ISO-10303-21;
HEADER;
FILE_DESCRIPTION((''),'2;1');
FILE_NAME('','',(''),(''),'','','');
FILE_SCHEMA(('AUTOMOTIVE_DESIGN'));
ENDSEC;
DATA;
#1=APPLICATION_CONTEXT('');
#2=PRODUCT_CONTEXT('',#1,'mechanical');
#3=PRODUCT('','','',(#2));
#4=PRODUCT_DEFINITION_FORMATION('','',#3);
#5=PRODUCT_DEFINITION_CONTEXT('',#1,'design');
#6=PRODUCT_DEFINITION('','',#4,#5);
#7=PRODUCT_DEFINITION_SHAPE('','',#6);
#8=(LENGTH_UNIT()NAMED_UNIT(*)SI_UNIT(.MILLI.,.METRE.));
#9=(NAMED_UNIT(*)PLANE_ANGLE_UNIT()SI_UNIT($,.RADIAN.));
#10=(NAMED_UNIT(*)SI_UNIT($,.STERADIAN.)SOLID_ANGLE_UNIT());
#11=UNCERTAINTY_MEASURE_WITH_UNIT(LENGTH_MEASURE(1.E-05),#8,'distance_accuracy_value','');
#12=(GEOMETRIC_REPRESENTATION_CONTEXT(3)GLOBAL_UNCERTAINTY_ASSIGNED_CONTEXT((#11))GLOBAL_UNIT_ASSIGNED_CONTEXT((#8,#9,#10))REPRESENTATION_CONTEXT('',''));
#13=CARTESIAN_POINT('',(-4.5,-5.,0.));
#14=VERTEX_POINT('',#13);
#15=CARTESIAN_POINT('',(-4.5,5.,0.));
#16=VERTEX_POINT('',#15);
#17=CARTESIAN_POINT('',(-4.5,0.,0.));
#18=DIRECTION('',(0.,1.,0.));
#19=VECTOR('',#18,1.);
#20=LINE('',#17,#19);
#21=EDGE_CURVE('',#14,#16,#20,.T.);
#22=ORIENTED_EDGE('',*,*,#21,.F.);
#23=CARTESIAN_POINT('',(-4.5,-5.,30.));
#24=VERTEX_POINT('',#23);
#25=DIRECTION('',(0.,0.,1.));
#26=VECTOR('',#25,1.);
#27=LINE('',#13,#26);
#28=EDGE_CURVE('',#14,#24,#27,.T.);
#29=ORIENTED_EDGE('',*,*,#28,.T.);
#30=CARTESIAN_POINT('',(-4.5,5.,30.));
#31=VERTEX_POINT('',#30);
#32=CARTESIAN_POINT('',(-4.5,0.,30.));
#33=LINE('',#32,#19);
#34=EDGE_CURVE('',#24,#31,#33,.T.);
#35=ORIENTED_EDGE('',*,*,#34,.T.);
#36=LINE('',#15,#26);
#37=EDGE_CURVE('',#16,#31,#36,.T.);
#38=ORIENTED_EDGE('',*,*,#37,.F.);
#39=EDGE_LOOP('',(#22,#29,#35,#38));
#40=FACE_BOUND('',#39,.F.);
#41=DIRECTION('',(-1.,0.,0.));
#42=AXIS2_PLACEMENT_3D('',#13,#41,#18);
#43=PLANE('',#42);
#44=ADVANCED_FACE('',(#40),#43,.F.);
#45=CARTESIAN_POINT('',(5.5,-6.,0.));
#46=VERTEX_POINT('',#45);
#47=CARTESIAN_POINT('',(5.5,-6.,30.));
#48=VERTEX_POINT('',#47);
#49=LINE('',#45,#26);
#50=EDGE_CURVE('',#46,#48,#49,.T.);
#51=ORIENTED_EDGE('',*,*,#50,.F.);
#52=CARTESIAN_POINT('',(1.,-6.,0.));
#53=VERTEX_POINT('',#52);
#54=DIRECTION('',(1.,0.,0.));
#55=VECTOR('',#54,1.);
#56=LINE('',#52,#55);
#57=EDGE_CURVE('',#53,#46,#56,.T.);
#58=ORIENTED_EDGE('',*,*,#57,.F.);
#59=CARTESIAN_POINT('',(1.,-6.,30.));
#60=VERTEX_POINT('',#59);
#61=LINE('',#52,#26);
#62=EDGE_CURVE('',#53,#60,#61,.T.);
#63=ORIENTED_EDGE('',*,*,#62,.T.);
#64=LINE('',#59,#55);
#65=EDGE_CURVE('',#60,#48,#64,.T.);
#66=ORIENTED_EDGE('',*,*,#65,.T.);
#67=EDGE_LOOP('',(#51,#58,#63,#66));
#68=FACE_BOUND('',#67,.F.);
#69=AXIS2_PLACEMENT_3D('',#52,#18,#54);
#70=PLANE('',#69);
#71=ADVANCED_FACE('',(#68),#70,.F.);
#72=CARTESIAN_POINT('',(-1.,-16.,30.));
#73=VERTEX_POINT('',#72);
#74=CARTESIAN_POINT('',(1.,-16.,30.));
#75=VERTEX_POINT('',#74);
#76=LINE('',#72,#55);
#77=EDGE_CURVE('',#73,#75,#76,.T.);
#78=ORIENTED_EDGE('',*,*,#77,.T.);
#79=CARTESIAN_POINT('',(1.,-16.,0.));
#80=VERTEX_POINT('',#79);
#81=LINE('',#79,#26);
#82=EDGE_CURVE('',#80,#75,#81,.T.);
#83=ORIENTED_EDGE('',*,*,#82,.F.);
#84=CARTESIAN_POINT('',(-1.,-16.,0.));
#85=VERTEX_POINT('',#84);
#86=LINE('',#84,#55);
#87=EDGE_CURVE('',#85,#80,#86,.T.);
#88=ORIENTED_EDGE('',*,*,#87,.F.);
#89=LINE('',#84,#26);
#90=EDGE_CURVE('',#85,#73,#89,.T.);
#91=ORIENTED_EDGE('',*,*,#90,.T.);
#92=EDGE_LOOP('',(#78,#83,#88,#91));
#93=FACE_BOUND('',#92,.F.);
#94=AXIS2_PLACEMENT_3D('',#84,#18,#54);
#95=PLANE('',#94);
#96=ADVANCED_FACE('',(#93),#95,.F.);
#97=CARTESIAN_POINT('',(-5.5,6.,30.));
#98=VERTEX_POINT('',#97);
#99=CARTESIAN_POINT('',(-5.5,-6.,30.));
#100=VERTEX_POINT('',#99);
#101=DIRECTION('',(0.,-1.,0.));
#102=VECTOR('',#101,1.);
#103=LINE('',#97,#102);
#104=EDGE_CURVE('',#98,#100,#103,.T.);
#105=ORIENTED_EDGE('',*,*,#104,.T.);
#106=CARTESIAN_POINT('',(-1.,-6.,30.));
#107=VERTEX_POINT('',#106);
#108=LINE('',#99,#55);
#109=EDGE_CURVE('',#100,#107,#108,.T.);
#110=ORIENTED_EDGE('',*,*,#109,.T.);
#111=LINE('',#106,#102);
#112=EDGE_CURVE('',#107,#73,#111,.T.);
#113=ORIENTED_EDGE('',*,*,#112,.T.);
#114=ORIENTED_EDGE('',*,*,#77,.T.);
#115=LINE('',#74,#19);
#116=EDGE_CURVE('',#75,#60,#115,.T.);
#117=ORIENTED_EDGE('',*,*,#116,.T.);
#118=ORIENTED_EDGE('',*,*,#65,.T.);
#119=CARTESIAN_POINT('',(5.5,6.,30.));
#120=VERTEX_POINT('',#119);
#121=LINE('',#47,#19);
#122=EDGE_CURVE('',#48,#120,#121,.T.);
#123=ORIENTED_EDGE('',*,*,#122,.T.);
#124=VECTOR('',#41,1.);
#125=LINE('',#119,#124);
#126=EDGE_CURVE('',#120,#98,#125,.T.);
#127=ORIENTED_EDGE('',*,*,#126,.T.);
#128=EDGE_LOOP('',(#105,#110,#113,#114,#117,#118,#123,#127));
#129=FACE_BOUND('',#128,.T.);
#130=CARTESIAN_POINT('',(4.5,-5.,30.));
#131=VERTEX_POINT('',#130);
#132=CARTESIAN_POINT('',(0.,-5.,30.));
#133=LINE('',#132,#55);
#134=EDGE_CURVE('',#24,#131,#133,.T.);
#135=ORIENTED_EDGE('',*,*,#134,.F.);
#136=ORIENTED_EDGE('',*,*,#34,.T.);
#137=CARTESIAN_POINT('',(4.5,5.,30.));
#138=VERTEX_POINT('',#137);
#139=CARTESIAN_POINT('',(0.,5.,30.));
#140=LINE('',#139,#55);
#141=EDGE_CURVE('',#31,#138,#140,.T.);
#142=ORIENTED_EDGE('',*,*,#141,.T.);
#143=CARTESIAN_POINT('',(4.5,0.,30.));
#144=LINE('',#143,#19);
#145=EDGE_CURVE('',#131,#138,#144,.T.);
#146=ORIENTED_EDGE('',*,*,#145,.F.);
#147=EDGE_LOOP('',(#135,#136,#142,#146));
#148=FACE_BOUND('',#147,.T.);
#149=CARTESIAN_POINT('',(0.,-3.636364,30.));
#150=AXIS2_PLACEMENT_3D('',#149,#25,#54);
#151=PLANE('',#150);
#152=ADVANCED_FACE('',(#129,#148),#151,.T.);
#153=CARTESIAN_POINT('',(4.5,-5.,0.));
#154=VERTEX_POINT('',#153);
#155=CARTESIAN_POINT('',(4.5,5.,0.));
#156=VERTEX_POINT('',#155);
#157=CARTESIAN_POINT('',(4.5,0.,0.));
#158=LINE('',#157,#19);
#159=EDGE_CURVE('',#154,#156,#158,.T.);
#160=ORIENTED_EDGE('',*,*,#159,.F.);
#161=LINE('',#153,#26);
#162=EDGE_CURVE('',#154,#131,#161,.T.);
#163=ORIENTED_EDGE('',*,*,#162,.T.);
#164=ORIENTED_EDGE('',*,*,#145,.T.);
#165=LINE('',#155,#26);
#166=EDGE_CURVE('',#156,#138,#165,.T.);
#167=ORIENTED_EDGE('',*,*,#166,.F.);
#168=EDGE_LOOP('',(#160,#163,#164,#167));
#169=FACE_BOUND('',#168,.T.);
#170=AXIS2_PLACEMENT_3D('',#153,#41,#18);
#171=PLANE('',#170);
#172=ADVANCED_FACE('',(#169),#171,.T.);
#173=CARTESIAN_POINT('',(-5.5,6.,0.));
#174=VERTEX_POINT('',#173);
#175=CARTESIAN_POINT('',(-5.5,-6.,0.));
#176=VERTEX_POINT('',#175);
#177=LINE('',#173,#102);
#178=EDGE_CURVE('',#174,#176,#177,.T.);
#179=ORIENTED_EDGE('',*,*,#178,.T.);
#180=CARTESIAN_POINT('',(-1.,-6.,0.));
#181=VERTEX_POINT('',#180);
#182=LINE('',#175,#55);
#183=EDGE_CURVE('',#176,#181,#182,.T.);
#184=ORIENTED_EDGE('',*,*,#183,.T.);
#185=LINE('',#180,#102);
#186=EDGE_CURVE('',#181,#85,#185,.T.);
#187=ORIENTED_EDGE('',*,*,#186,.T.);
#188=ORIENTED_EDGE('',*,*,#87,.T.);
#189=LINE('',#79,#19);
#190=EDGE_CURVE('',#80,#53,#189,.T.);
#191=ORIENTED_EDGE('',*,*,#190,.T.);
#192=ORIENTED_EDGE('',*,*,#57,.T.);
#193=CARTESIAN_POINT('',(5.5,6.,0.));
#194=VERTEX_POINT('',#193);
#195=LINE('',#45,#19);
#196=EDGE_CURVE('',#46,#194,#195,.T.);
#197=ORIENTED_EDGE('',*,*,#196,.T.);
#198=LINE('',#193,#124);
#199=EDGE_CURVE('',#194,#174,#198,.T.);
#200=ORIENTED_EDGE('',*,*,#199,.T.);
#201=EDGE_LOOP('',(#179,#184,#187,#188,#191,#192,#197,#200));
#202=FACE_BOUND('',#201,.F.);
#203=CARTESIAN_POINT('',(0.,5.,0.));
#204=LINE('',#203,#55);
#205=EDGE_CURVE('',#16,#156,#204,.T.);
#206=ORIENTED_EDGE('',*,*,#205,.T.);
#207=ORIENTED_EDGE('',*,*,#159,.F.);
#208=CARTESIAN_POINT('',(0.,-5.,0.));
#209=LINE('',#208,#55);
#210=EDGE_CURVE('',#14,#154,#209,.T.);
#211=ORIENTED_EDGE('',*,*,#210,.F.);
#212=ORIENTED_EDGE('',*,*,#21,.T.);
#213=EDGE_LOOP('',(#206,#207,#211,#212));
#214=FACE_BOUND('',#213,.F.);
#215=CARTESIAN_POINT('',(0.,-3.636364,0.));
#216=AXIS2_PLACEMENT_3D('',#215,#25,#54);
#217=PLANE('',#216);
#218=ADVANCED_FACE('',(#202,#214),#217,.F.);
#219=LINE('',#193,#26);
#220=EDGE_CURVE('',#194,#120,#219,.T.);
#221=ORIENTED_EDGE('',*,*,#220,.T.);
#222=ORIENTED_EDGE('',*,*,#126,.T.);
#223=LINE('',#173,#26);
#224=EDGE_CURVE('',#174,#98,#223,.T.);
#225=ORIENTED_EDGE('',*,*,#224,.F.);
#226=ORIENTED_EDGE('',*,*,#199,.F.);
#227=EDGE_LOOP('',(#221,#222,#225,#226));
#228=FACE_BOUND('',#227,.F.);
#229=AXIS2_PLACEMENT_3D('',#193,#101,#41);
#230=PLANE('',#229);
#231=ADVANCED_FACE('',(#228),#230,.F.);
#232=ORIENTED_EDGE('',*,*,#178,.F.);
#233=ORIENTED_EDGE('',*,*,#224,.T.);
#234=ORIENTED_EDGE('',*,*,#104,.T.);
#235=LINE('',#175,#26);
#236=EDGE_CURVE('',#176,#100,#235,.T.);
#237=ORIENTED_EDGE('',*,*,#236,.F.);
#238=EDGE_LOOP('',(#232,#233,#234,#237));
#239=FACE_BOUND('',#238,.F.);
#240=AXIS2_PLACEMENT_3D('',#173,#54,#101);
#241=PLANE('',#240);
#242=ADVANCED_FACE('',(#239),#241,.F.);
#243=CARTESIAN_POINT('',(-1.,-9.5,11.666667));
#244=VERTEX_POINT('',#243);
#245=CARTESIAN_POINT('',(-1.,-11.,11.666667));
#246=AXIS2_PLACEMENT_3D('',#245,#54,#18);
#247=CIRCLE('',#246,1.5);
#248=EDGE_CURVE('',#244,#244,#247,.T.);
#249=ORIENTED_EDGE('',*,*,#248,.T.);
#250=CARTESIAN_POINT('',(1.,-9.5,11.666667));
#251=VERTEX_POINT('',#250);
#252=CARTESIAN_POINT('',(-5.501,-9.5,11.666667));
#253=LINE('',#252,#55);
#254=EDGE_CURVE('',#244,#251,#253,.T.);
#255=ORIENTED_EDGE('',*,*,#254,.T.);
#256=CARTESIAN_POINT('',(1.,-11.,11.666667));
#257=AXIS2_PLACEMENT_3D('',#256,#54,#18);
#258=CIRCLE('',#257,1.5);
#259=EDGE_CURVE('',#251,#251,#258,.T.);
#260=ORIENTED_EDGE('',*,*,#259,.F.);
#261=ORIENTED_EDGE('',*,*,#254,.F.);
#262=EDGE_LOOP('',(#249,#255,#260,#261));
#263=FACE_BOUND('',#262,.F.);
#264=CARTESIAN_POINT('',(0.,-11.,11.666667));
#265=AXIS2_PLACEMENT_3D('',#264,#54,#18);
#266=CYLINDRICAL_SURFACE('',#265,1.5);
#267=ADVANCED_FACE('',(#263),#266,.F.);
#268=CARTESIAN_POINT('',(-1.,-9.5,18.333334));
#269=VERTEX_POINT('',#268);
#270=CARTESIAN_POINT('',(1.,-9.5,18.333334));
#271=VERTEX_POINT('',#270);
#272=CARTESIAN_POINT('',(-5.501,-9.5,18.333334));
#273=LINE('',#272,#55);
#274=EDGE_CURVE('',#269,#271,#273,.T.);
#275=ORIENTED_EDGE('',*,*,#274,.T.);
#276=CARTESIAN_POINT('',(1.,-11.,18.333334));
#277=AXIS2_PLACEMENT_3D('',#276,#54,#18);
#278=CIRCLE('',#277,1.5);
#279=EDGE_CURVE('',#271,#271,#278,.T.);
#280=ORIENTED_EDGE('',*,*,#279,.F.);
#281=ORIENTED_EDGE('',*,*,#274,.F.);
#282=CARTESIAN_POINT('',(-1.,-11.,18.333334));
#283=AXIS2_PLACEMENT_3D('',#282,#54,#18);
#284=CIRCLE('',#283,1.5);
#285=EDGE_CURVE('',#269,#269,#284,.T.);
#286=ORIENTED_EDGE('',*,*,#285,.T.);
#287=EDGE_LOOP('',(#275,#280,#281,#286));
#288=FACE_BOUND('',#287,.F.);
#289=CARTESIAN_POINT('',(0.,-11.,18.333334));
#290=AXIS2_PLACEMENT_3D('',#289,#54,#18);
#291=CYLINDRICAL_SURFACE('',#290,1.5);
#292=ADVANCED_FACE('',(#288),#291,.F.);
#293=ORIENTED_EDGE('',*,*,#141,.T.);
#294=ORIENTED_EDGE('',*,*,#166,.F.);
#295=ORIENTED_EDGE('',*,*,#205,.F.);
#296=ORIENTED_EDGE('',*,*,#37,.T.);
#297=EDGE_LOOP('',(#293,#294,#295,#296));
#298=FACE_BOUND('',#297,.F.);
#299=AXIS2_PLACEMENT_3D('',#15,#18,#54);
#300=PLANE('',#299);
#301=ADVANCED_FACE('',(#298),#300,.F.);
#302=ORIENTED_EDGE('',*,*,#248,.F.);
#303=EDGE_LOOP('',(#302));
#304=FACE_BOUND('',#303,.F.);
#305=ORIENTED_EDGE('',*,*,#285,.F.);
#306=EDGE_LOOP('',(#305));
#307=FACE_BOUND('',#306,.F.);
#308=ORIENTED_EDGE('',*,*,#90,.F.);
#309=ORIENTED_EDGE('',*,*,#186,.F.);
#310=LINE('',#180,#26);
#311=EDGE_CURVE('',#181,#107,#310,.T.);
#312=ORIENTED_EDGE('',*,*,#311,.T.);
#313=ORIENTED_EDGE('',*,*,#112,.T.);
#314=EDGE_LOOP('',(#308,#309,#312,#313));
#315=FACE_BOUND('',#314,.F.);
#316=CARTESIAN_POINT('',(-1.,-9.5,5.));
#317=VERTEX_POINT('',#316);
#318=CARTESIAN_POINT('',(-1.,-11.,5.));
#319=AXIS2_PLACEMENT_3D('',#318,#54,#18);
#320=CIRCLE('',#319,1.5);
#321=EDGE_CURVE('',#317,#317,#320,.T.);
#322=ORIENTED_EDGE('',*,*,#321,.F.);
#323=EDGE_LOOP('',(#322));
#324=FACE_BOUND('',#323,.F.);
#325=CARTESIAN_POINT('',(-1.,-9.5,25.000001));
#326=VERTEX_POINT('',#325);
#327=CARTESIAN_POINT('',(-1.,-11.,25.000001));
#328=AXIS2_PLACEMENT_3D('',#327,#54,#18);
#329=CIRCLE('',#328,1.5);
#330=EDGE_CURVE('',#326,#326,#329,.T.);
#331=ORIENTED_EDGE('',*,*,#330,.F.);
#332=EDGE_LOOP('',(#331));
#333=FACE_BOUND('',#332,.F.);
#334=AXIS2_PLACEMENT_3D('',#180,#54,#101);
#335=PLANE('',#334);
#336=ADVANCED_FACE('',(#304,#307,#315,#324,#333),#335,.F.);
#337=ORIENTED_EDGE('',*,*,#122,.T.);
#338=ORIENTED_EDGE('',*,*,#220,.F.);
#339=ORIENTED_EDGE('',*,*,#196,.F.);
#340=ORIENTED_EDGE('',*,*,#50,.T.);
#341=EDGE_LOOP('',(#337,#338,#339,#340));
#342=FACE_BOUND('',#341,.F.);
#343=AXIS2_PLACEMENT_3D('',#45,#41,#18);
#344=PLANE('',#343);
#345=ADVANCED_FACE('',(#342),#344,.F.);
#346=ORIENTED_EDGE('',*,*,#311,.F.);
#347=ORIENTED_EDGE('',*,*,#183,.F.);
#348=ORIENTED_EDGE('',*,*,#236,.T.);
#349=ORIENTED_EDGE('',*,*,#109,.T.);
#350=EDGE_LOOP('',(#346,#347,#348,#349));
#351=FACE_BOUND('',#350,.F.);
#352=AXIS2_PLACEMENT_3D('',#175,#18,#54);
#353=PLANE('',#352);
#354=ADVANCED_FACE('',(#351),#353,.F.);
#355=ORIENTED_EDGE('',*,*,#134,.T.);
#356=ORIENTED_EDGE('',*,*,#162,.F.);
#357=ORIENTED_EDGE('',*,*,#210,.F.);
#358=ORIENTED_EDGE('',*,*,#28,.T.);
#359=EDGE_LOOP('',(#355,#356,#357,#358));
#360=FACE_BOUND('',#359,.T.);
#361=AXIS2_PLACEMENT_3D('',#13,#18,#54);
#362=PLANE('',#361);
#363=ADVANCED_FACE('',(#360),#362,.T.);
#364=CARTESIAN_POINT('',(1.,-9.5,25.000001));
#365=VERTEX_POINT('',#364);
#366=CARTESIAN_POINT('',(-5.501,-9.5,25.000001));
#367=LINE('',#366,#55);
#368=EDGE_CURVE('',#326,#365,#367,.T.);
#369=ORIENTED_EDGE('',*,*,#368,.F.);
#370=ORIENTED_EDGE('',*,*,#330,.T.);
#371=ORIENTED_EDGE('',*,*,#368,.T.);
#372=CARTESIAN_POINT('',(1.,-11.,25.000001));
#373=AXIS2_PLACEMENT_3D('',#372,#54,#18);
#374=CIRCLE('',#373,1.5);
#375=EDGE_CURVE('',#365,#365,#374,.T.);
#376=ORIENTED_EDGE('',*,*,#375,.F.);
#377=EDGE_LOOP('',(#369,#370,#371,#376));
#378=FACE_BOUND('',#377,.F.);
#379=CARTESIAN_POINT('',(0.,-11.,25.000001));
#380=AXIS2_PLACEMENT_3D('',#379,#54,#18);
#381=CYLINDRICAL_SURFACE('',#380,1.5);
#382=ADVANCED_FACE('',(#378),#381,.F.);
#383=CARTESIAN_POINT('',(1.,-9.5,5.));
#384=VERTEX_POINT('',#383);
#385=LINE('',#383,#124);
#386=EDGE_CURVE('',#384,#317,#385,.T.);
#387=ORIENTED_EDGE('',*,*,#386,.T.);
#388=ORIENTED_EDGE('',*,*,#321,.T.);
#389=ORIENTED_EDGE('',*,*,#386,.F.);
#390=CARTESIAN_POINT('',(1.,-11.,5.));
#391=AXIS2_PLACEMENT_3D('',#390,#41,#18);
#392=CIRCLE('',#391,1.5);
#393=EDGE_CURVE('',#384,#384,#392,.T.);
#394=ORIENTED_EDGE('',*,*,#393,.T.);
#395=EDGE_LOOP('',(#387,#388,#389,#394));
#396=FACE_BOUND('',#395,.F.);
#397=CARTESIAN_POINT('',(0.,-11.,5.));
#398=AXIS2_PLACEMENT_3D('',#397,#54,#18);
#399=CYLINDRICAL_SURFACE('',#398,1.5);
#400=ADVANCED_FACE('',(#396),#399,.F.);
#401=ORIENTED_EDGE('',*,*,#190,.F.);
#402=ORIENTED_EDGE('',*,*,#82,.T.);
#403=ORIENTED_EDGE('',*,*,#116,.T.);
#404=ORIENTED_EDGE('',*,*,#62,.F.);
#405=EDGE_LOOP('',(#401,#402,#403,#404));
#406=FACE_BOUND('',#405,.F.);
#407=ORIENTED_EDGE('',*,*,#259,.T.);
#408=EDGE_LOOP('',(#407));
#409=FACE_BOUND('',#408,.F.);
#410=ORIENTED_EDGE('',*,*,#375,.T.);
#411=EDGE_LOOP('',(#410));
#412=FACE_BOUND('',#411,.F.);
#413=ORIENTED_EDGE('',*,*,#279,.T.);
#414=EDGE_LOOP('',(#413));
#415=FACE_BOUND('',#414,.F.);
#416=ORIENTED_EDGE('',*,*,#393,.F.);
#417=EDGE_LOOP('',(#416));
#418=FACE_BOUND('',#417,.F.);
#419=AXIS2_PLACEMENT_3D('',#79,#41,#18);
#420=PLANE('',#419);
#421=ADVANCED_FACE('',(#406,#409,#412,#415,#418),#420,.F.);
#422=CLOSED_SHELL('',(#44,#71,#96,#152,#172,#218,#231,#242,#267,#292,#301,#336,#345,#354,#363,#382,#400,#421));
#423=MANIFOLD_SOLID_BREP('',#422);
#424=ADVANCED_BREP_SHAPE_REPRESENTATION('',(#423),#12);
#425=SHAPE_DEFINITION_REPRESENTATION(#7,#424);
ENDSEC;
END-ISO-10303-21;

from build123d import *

# Parameters (mm, degrees)
SKETCH_W            = 9
SKETCH_H            = 10
PAD_DEPTH           = 30
SKETCH001_R         = 1.5
POCKET_DEPTH        = 5.501
POCKET_DEPTH_BACK   = 5.501
LINEARPATTERN_COUNT = 4
LINEARPATTERN_PITCH = 6.666667


with BuildPart() as part:
    # Sketch → Pad (new body)
    with BuildSketch(Plane.XY):
        Polygon((-5.5, 6), (-5.5, -6), (-1, -6), (-1, -16), (1, -16), (1, -6), (5.5, -6), (5.5, 6), align=None)
        Rectangle(SKETCH_W, SKETCH_H, mode=Mode.SUBTRACT)
    extrude(amount=PAD_DEPTH)

    # Sketch001 → Pocket (cut, two sides)
    with BuildSketch(Plane.YZ) as pocket_sk:
        with Locations((-11, 5)):
            Circle(SKETCH001_R)
    pocket = extrude(amount=-POCKET_DEPTH, mode=Mode.SUBTRACT) + extrude(pocket_sk.sketch, amount=POCKET_DEPTH_BACK, mode=Mode.SUBTRACT)

    # LinearPattern: Pocket ×4
    with Locations(*[(0, 0, i * LINEARPATTERN_PITCH) for i in range(1, LINEARPATTERN_COUNT)]):
        add(pocket, mode=Mode.SUBTRACT)


solid = part.part
